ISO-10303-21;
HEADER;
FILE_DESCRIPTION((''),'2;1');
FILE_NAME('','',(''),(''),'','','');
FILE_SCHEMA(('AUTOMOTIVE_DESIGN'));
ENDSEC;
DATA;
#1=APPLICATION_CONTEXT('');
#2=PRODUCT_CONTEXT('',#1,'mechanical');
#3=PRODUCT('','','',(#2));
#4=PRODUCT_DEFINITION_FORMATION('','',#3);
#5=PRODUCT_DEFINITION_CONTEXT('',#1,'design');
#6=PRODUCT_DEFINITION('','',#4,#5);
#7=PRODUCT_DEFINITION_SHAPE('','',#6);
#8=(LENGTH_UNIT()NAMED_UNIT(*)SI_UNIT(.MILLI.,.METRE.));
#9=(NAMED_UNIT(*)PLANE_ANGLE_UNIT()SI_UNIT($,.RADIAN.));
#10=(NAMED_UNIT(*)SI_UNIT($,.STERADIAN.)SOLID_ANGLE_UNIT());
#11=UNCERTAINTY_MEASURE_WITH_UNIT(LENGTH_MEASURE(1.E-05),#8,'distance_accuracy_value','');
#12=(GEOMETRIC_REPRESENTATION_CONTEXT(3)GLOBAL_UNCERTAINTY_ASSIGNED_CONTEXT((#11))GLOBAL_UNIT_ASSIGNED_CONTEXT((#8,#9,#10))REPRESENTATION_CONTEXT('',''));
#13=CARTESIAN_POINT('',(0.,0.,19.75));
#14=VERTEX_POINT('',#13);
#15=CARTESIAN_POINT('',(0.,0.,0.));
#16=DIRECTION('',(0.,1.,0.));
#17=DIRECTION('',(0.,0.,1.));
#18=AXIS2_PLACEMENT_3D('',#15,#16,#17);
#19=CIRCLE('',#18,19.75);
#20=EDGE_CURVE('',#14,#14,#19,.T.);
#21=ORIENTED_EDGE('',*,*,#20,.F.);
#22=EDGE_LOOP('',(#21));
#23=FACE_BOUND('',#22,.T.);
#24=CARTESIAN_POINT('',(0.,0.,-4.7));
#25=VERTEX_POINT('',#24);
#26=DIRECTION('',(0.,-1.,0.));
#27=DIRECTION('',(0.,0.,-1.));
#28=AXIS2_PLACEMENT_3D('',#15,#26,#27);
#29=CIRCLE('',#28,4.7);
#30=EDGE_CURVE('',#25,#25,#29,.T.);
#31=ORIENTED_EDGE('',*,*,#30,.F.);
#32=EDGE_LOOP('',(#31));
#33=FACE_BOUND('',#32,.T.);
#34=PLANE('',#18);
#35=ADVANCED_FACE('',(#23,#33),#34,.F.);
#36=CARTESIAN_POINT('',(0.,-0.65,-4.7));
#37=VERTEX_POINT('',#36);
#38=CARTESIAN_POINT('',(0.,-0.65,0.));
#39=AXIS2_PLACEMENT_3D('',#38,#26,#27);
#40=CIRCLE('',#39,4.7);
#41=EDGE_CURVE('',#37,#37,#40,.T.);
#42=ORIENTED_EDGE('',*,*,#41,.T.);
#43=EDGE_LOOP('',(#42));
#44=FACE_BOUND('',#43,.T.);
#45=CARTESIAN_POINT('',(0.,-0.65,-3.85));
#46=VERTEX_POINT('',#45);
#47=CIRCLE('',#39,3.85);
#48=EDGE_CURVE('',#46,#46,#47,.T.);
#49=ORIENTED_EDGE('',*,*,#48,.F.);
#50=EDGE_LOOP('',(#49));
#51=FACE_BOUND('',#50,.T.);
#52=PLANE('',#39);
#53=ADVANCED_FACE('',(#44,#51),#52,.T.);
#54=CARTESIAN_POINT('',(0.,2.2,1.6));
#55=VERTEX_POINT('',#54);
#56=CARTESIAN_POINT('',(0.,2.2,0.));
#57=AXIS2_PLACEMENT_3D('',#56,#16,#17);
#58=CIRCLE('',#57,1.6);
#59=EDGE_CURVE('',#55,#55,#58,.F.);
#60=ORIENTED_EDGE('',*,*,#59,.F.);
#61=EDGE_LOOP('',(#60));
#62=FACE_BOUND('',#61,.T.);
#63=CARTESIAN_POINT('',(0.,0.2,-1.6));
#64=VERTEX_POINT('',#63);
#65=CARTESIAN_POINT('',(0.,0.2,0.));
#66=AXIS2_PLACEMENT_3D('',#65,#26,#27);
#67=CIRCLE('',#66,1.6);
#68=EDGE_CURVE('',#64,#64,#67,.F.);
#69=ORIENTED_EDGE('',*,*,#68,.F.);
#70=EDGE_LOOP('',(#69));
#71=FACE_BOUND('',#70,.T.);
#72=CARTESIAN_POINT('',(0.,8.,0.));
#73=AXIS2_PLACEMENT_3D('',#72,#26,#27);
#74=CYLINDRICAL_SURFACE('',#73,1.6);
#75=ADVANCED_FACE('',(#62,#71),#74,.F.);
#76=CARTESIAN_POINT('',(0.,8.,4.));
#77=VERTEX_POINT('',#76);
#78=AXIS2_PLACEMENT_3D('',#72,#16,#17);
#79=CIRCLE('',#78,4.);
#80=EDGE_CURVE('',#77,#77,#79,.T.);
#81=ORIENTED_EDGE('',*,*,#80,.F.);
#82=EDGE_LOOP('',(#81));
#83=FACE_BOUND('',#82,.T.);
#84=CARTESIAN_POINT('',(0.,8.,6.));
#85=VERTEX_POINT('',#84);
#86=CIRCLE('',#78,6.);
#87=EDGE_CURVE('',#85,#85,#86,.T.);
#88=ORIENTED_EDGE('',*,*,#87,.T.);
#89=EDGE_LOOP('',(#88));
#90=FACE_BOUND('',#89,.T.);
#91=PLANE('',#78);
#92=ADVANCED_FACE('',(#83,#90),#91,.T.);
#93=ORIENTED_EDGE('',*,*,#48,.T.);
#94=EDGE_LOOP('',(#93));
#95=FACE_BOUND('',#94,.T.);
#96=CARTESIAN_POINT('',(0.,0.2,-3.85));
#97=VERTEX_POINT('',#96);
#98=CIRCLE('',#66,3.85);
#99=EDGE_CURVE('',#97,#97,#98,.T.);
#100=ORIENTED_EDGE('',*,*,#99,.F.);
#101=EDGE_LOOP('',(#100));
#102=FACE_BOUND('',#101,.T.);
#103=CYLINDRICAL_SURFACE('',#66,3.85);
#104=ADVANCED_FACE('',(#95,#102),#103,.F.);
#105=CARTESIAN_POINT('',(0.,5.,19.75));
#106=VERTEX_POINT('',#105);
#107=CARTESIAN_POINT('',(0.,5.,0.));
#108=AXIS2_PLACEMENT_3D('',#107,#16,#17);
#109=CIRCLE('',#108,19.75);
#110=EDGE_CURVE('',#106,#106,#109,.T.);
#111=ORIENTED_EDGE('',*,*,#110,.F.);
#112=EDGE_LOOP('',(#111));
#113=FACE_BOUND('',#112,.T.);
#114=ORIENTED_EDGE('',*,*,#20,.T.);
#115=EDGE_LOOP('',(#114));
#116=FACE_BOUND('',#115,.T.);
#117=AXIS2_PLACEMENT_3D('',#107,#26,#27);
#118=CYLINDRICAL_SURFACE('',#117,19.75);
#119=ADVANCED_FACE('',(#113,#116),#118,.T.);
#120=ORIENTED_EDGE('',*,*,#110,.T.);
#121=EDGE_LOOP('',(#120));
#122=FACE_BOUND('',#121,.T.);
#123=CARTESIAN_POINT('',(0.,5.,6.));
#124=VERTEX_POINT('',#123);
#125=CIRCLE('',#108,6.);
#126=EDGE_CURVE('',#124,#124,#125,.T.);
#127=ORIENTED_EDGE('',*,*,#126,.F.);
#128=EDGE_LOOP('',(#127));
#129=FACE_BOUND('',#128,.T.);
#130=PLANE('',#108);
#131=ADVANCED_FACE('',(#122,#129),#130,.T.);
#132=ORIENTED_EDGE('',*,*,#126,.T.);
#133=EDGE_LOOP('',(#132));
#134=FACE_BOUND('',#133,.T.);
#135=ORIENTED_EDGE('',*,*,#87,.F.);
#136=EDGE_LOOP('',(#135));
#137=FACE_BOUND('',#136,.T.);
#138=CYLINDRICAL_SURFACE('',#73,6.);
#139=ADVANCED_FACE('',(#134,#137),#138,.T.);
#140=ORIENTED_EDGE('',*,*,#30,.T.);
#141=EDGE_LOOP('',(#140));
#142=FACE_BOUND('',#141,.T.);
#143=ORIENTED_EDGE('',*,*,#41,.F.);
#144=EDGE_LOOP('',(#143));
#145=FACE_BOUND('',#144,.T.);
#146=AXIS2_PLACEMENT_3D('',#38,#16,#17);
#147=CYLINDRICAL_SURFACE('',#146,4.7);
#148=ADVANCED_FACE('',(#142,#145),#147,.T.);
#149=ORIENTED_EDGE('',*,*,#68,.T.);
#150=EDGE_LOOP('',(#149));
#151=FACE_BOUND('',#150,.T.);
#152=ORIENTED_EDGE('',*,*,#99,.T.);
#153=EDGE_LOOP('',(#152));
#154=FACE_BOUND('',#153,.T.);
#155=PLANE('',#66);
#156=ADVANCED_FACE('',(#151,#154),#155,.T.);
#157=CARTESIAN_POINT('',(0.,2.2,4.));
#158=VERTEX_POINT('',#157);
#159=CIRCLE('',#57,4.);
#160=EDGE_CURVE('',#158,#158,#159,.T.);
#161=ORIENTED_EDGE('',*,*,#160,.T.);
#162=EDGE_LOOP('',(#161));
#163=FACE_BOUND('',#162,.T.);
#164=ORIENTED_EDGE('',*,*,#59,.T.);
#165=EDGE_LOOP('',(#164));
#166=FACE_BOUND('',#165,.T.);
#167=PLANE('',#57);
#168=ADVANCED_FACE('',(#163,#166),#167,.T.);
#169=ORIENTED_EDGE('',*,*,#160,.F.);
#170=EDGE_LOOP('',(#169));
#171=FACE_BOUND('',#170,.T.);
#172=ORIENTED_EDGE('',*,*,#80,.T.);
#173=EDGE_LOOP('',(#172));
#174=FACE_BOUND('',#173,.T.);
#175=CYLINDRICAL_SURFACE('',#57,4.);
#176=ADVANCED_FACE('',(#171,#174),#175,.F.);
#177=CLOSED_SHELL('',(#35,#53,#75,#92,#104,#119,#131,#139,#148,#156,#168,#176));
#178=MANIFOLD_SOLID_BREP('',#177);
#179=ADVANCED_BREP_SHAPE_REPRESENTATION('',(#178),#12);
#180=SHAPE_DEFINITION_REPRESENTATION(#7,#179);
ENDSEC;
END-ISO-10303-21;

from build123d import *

# Parameters (mm, degrees)
SKETCH_1_R          = 19.75
EXTRUDE_1_DEPTH     = 5
SKETCH_2_R          = 6
EXTRUDE_2_DEPTH     = 3
SKETCH_3_R          = 4.7
EXTRUDE_3_DEPTH     = 0.65
SKETCH_4_R          = 1.6
CUT_EXTRUDE_1_DEPTH = 9.65
SKETCH_5_R          = 3.85
CUT_EXTRUDE_2_DEPTH = 0.85
SKETCH_6_R          = 4
CUT_EXTRUDE_3_DEPTH = 5.8


with BuildPart() as part:
    # 草圖1 → 填料-伸長1 (new body)
    with BuildSketch(Plane(origin=(0, 0, 0), x_dir=(1, 0, 0), z_dir=(0, 1, 0))):
        Circle(SKETCH_1_R)
    extrude(amount=EXTRUDE_1_DEPTH)

    # 草圖2 → 填料-伸長2 (add)
    with BuildSketch(Plane(origin=(0, 5, 0), x_dir=(1, 0, 0), z_dir=(0, 1, 0))):
        Circle(SKETCH_2_R)
    extrude(amount=EXTRUDE_2_DEPTH)

    # 草圖3 → 填料-伸長3 (add)
    with BuildSketch(Plane.XZ):
        Circle(SKETCH_3_R)
    extrude(amount=EXTRUDE_3_DEPTH)

    # 草圖4 → 除料-伸長1 (cut, through all)
    with BuildSketch(Plane.XZ.offset(0.65)):
        Circle(SKETCH_4_R)
    extrude(amount=-CUT_EXTRUDE_1_DEPTH, mode=Mode.SUBTRACT)

    # 草圖5 → 除料-伸長2 (cut)
    with BuildSketch(Plane.XZ.offset(0.65)):
        Circle(SKETCH_5_R)
    extrude(amount=-CUT_EXTRUDE_2_DEPTH, mode=Mode.SUBTRACT)

    # 草圖6 → 除料-伸長3 (cut)
    with BuildSketch(Plane(origin=(0, 8, 0), x_dir=(1, 0, 0), z_dir=(0, 1, 0))):
        Circle(SKETCH_6_R)
    extrude(amount=-CUT_EXTRUDE_3_DEPTH, mode=Mode.SUBTRACT)


solid = part.part
